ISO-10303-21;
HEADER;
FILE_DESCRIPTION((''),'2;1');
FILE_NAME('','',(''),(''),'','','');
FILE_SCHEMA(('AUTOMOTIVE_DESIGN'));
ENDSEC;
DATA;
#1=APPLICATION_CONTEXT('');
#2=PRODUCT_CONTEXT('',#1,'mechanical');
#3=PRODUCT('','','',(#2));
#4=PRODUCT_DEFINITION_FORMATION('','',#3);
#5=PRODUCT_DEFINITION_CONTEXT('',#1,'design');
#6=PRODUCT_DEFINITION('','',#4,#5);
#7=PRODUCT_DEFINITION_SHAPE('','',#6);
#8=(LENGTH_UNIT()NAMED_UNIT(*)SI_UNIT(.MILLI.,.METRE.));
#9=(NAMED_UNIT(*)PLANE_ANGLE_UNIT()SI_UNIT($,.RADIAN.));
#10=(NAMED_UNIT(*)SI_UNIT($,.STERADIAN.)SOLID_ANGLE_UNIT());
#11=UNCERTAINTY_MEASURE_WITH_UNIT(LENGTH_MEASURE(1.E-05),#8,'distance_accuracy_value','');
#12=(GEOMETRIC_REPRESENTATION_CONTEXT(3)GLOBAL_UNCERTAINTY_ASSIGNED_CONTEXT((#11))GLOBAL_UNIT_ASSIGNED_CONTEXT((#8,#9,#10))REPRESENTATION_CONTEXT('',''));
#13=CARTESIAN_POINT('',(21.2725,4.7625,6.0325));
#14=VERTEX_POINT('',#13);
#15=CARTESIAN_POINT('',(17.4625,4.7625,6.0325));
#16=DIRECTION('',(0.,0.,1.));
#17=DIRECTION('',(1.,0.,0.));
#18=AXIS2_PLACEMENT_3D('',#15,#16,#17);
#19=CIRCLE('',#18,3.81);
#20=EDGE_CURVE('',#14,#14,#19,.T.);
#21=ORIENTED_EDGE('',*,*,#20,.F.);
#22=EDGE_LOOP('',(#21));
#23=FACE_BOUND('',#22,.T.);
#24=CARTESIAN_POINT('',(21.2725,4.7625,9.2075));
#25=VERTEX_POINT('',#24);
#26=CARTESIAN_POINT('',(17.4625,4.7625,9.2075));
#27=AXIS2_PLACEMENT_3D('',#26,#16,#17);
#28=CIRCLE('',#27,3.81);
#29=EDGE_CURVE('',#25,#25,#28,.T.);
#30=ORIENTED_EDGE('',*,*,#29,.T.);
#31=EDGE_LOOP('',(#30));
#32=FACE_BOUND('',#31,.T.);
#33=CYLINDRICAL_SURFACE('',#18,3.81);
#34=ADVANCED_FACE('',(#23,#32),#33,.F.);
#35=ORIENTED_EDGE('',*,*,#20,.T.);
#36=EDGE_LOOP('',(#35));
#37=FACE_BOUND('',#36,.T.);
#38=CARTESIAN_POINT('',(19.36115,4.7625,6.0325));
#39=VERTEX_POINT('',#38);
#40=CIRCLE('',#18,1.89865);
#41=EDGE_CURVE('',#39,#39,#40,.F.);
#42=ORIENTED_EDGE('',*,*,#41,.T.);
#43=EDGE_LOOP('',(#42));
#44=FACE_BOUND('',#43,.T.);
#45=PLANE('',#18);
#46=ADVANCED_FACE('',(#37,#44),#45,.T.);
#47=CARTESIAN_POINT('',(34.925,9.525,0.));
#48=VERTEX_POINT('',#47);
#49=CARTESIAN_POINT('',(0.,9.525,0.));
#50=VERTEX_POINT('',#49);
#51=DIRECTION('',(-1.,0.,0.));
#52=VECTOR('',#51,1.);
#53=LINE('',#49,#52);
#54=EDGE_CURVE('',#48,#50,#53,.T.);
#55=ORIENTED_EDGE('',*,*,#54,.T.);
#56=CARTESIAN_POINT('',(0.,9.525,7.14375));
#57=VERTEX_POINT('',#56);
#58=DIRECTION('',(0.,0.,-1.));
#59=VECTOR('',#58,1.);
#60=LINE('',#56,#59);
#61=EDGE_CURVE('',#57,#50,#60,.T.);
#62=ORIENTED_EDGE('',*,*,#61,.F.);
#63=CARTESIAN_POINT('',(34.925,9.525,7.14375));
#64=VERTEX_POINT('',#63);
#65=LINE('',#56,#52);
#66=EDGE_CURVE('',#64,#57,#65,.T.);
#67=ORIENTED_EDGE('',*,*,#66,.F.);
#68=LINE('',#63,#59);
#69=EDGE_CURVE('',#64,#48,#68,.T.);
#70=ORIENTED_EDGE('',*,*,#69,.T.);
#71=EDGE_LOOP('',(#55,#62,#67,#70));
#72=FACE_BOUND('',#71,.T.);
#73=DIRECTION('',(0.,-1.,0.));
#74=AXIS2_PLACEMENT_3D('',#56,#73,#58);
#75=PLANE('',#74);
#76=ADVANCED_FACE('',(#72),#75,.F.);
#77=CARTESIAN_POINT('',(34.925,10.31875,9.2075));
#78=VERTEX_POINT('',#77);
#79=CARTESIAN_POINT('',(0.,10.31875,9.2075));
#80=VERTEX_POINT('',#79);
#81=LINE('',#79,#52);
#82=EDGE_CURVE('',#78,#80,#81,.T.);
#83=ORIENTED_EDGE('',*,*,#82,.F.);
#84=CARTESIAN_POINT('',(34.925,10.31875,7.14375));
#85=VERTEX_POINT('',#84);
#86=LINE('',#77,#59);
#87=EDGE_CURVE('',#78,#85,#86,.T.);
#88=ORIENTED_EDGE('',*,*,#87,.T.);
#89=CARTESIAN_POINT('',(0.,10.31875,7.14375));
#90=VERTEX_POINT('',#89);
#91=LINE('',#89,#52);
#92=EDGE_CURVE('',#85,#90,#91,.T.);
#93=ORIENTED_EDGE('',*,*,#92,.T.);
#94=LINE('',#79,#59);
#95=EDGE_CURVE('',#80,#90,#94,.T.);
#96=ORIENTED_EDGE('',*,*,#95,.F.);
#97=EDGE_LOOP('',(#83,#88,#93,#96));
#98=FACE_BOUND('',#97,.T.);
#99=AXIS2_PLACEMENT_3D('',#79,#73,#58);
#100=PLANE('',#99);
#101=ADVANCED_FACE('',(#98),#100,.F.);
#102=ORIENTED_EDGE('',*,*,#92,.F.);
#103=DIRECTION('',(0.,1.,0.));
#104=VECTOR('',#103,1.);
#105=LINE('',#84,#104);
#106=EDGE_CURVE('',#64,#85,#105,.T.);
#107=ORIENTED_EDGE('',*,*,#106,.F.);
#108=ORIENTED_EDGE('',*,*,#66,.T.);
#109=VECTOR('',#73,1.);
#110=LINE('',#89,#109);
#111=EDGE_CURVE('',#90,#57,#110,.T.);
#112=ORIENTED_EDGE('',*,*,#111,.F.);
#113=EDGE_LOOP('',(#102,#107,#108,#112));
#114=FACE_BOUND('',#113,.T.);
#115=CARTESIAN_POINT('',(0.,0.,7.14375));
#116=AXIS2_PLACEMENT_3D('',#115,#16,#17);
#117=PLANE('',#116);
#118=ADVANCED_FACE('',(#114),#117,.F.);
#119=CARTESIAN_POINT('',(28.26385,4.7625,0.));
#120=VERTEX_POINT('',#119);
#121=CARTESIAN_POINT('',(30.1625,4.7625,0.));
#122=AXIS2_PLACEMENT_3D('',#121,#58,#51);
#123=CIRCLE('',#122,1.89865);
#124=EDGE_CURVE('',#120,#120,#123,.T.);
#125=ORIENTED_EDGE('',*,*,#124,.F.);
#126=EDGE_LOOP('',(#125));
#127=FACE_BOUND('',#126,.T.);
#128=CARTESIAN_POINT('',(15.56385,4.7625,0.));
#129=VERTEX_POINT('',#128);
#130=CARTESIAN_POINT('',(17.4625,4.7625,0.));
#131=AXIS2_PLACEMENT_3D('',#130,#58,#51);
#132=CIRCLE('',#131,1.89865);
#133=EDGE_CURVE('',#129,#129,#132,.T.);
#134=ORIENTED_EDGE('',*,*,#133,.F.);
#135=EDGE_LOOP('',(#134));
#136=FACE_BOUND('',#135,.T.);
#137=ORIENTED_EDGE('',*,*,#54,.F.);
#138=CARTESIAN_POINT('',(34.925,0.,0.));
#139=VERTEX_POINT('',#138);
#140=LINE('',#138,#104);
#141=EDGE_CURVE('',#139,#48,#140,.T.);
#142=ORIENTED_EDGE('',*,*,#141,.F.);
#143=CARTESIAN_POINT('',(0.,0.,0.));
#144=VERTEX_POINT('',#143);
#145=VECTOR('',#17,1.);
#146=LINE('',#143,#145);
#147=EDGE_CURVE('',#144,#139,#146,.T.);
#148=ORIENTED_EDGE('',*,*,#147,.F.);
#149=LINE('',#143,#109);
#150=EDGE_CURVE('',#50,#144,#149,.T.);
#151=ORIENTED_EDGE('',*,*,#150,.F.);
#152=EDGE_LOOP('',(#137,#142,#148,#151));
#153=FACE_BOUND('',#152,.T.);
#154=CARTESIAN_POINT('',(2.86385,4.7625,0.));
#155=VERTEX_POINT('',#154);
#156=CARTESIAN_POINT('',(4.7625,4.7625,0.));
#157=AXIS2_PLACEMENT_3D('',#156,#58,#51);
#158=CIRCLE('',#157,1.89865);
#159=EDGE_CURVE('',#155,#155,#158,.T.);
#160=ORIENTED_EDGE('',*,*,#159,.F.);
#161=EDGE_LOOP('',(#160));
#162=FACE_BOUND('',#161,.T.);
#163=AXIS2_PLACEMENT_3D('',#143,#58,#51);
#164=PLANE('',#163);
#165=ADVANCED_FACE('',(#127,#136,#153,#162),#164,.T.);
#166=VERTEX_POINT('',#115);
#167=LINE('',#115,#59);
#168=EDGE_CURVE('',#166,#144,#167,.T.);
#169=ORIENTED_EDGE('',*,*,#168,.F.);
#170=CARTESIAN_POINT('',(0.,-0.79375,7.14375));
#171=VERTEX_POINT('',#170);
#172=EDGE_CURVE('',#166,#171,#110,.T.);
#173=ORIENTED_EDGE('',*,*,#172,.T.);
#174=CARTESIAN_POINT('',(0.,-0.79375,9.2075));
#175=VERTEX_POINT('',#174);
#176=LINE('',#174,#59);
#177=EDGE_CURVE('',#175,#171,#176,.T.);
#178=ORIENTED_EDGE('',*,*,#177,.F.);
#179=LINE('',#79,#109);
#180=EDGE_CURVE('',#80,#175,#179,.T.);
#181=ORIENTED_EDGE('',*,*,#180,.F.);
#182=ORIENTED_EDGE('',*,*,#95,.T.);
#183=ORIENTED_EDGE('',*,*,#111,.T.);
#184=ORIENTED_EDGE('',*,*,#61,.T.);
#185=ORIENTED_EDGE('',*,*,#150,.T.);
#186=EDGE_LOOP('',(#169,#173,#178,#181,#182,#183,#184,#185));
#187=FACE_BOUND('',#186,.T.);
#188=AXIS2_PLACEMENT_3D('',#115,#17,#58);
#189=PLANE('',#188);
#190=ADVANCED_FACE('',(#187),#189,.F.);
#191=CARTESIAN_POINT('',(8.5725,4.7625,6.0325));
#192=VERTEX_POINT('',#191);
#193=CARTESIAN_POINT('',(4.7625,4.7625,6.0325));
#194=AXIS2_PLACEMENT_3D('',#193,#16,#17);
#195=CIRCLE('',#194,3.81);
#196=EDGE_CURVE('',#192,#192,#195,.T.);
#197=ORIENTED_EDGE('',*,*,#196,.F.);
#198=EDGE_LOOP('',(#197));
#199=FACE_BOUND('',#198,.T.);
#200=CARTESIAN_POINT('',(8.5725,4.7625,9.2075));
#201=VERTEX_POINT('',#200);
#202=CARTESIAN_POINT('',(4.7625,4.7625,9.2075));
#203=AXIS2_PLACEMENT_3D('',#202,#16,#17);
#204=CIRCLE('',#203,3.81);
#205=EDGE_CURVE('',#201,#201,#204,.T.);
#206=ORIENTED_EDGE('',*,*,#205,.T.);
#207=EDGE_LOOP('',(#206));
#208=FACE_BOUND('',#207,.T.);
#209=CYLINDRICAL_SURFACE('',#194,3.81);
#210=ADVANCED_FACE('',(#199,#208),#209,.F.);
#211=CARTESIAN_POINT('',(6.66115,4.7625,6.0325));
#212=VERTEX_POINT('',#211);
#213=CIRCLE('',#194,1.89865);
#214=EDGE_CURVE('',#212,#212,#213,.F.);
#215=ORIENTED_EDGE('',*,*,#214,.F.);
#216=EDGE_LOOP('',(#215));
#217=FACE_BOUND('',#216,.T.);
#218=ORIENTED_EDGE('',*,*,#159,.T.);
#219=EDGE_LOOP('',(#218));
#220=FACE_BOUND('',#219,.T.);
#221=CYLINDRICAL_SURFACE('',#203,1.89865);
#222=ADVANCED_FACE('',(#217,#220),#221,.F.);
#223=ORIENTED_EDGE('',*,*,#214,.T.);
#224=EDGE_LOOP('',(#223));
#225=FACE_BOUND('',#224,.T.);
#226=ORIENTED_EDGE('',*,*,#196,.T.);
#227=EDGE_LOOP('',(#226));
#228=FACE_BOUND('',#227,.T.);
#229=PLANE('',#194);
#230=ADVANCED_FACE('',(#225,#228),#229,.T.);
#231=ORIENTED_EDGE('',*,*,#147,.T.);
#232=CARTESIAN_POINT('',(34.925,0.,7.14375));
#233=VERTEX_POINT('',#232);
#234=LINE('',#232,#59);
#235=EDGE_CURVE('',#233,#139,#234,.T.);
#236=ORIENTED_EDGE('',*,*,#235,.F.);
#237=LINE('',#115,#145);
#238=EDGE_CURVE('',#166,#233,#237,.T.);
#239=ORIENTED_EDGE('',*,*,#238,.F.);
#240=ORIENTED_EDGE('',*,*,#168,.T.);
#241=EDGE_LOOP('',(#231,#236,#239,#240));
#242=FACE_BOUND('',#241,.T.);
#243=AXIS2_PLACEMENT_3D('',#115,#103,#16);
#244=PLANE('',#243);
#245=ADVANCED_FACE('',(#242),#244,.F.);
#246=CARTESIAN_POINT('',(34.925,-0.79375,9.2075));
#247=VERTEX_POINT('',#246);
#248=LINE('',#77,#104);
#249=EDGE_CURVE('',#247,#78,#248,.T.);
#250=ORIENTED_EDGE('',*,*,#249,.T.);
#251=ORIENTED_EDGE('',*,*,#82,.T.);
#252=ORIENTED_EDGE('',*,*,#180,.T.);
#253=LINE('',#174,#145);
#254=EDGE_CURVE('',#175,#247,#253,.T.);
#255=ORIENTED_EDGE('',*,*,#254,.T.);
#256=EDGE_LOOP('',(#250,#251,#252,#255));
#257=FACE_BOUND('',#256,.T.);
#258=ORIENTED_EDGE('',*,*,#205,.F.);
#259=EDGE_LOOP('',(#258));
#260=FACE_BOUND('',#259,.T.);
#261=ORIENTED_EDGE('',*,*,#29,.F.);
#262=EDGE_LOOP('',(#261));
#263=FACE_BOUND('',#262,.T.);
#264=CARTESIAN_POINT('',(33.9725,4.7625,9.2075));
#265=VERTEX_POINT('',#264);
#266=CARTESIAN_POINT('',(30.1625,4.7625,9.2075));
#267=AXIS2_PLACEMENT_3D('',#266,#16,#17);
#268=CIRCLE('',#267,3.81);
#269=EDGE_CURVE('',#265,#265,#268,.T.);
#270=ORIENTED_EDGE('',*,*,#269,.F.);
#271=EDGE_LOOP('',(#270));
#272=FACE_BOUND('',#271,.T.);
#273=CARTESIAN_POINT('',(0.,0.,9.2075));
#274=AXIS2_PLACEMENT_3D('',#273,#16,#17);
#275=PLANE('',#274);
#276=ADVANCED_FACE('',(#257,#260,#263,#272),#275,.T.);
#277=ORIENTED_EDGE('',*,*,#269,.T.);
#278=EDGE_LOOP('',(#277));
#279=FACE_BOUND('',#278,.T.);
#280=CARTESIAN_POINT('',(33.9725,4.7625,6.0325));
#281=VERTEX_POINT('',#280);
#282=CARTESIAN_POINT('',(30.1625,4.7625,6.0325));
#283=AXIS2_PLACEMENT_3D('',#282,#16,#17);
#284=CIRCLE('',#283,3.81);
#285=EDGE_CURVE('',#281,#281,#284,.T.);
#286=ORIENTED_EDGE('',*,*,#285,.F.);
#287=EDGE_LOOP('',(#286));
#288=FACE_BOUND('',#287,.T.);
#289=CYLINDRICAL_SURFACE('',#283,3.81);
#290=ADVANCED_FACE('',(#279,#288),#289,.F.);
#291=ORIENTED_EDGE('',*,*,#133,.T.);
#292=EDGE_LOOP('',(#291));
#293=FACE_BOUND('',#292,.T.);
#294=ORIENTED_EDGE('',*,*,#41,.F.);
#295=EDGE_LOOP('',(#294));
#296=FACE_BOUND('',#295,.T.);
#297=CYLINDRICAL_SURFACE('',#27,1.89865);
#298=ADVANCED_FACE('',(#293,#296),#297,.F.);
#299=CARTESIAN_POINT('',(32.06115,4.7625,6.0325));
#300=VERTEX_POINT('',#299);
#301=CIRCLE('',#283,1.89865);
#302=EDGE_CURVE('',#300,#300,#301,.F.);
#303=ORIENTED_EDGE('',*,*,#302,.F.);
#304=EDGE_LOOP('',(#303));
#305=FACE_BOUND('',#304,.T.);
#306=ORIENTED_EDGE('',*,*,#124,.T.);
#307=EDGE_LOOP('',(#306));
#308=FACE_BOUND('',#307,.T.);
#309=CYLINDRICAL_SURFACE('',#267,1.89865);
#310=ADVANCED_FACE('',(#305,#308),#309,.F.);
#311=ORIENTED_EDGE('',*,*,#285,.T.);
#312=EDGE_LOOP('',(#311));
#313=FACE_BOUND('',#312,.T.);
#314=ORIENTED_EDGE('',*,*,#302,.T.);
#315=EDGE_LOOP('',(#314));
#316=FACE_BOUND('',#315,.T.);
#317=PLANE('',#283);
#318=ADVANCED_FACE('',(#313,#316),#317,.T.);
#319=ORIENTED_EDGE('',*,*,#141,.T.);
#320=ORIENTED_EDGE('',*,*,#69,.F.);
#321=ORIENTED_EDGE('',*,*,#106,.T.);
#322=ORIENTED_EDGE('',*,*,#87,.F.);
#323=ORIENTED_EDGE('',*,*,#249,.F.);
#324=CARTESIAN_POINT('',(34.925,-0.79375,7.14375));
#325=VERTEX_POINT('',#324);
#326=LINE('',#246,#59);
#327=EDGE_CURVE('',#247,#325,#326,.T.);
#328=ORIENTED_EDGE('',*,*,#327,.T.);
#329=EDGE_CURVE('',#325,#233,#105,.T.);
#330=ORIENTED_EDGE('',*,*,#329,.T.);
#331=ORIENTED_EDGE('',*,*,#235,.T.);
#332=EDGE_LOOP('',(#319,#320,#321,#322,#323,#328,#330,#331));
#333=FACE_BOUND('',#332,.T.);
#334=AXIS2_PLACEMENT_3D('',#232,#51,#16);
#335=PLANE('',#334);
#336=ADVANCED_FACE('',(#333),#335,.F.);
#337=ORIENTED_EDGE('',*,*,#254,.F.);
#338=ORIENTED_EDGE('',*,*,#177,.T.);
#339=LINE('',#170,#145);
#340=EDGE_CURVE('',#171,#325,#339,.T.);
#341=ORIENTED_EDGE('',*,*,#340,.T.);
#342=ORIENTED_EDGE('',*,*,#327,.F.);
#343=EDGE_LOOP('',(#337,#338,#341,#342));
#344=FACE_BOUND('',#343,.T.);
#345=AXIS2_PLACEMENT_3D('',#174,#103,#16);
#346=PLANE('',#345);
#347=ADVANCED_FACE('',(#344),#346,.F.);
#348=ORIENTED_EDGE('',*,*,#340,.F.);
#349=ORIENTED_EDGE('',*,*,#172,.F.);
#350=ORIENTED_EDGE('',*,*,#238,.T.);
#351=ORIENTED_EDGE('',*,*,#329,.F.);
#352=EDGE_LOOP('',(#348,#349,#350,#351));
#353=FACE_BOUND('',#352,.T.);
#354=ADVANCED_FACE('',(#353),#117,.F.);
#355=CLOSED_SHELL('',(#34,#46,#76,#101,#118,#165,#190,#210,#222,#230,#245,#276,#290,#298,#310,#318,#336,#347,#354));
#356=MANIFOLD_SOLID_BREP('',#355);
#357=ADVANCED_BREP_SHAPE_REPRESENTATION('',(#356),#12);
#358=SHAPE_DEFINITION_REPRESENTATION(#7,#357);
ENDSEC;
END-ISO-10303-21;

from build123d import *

# Parameters (mm, degrees)
SKETCH1_W                 = 34.925
SKETCH1_H                 = 9.525
BOSS_EXTRUDE1_DEPTH       = 7.14375
SKETCH2_W                 = 34.925
SKETCH2_H                 = 11.1125
BOSS_EXTRUDE2_DEPTH       = 2.06375
F_6_CLEARANCE_HOLE1_D     = 3.7973
F_6_CLEARANCE_HOLE1_DEPTH = 9.2075
SKETCH5_R                 = 3.81
CUT_EXTRUDE1_DEPTH        = 3.175


with BuildPart() as part:
    # Sketch1 → Boss-Extrude1 (new body)
    with BuildSketch(Plane.XY):
        with Locations((17.4625, 4.7625)):
            Rectangle(SKETCH1_W, SKETCH1_H)
    extrude(amount=BOSS_EXTRUDE1_DEPTH)

    # Sketch2 → Boss-Extrude2 (add)
    with BuildSketch(Plane.XY.offset(7.14375)):
        with Locations((17.4625, 4.7625)):
            Rectangle(SKETCH2_W, SKETCH2_H)
    extrude(amount=BOSS_EXTRUDE2_DEPTH)

    # #6 Clearance Hole1
    with Locations(Plane.XY.offset(9.2075)):
        with Locations((4.7625, 4.7625), (17.4625, 4.7625), (30.1625, 4.7625)):
            Hole(F_6_CLEARANCE_HOLE1_D / 2, depth=F_6_CLEARANCE_HOLE1_DEPTH)

    # Sketch5 → Cut-Extrude1 (cut)
    with BuildSketch(Plane.XY.offset(9.2075)):
        with Locations((4.7625, 4.7625)):
            Circle(SKETCH5_R)
        with Locations((17.4625, 4.7625)):
            Circle(SKETCH5_R)
        with Locations((30.1625, 4.7625)):
            Circle(SKETCH5_R)
    extrude(amount=-CUT_EXTRUDE1_DEPTH, mode=Mode.SUBTRACT)


solid = part.part
